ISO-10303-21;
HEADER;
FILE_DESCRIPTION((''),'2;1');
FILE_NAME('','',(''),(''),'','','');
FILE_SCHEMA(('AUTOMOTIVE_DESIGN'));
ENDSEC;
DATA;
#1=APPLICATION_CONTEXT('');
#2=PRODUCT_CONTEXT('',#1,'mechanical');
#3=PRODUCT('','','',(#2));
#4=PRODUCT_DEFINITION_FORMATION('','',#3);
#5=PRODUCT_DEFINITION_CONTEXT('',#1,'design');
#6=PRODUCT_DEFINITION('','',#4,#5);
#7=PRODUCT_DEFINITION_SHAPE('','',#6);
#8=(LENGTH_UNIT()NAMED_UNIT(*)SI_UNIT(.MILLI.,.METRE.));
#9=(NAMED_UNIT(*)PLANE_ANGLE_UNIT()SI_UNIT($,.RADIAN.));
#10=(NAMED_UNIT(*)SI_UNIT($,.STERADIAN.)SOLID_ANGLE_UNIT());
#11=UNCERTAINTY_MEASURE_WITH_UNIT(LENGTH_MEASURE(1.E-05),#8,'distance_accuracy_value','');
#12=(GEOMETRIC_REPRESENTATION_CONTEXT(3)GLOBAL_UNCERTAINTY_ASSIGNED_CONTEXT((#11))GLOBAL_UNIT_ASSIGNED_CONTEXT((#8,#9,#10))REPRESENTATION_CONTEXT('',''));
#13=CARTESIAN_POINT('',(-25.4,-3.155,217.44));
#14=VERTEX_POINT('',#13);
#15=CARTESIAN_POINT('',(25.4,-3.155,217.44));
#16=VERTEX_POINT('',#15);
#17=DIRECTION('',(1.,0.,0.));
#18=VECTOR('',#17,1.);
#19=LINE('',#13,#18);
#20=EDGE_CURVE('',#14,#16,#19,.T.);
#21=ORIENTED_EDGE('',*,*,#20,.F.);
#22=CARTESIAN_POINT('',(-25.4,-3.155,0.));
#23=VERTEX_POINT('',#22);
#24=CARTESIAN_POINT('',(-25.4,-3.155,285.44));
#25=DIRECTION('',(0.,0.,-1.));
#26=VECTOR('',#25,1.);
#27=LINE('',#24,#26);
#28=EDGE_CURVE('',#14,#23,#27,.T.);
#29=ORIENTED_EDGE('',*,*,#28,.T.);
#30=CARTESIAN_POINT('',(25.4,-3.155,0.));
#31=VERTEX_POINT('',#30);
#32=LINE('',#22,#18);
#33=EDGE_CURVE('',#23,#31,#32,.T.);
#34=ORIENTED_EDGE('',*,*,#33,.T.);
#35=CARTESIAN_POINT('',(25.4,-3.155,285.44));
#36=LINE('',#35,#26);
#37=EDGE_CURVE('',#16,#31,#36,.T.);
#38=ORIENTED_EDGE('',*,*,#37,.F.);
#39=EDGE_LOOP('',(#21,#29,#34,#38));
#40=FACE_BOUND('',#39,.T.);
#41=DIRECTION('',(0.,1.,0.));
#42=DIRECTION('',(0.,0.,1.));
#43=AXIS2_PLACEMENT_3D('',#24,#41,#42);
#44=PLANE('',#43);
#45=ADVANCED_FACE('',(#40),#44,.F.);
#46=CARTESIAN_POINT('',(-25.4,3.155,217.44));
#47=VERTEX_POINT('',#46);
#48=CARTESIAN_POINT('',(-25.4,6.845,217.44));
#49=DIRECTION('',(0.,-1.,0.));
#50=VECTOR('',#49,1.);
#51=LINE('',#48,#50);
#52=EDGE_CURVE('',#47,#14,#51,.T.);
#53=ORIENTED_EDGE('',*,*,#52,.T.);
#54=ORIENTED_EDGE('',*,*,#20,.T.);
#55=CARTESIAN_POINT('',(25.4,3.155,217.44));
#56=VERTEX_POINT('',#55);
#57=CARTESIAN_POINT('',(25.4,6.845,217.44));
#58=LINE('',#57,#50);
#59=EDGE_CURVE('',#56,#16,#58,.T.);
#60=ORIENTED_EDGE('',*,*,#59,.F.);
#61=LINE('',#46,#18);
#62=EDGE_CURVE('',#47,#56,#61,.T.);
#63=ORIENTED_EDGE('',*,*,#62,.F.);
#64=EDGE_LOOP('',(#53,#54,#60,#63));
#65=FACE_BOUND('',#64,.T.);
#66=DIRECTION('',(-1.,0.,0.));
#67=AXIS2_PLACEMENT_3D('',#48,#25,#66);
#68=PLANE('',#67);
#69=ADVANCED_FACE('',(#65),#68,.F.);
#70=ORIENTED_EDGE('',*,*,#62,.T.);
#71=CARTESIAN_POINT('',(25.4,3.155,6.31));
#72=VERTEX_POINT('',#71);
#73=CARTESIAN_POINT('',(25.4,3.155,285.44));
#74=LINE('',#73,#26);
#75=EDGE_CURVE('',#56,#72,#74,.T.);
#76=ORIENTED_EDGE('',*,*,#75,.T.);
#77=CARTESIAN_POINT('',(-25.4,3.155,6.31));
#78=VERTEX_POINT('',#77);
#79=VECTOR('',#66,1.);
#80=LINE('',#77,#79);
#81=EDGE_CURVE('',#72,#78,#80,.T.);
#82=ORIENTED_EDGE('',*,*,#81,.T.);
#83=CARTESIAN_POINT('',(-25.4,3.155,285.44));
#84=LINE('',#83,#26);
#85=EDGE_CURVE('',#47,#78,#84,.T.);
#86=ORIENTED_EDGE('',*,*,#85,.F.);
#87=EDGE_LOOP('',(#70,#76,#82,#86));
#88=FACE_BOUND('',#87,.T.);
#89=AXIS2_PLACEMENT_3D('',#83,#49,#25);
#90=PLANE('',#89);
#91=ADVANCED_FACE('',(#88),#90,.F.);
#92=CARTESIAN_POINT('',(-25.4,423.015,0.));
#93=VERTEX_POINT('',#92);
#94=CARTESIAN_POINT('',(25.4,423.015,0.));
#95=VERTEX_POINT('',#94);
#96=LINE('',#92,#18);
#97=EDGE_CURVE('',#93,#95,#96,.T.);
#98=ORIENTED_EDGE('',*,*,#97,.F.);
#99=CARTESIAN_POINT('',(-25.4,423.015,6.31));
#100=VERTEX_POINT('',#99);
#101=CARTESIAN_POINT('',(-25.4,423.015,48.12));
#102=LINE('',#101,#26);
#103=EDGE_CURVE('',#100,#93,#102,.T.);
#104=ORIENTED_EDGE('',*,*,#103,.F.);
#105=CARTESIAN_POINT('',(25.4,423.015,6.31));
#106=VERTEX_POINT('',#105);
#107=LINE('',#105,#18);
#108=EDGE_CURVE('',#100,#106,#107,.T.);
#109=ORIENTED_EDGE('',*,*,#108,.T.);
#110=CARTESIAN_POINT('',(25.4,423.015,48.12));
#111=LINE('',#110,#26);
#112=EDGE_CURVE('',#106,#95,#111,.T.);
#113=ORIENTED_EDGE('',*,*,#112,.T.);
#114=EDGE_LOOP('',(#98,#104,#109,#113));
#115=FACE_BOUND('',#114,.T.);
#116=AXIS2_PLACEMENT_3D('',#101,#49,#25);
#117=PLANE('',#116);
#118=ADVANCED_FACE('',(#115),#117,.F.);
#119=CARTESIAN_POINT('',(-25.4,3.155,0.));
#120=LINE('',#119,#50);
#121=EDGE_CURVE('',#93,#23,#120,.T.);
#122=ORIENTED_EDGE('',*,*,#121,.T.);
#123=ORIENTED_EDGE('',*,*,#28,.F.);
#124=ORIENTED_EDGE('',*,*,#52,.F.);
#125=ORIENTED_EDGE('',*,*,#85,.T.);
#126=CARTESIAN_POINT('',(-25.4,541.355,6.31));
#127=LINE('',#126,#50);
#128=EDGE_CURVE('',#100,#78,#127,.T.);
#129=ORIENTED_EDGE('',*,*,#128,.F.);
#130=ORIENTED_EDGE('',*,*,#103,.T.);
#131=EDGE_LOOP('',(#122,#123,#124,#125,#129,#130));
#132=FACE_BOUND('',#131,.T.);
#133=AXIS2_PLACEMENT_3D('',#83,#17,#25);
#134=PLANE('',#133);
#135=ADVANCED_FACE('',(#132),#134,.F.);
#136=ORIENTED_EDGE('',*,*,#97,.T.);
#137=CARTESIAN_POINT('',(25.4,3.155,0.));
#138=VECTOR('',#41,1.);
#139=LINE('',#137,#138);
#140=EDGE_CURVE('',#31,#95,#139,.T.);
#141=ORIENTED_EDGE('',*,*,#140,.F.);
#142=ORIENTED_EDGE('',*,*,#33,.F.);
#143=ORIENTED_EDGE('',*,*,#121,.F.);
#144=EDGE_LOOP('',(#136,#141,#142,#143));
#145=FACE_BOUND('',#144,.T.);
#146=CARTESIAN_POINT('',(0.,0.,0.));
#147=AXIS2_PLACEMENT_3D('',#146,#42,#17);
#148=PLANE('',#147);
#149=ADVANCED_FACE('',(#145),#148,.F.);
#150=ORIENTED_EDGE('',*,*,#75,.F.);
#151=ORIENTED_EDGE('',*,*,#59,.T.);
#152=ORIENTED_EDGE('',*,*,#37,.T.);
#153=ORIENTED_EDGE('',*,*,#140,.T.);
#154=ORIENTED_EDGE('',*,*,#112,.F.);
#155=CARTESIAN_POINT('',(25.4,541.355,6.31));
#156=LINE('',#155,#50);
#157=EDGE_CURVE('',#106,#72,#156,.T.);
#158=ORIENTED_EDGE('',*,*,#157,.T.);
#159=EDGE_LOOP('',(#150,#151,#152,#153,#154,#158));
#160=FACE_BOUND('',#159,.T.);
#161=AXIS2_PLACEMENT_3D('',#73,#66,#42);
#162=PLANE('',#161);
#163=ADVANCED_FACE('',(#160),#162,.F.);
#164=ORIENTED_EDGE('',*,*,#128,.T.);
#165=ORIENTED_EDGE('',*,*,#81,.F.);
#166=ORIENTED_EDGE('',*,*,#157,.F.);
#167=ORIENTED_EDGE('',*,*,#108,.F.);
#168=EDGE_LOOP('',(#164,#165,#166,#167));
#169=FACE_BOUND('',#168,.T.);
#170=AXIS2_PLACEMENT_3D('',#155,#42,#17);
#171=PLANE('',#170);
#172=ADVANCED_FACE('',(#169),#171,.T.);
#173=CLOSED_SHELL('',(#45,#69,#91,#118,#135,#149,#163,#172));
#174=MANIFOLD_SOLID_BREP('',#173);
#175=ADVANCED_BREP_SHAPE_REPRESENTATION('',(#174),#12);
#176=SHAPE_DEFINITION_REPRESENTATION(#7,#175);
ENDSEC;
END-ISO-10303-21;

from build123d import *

# Parameters (mm, degrees)
CROQUIS1_W              = 50.8
CROQUIS1_H              = 6.31
SALIENTE_EXTRUIR1_DEPTH = 285.44
CROQUIS3_W              = 50.8
CROQUIS3_H              = 6.31
SALIENTE_EXTRUIR2_DEPTH = 544.51
CROQUIS4_W              = 50.8
CROQUIS4_H              = 6.31
CROQUIS5_W              = 50.8
CROQUIS5_H              = 68
CORTAR_EXTRUIR1_DEPTH   = 10
CROQUIS11_W             = 48.12
CROQUIS11_H             = 211.5
CORTAR_EXTRUIR2_DEPTH   = 50.8


with BuildPart() as part:
    # Croquis1 → Saliente-Extruir1 (new body)
    with BuildSketch(Plane.XY):
        Rectangle(CROQUIS1_W, CROQUIS1_H)
    extrude(amount=SALIENTE_EXTRUIR1_DEPTH)

    # Croquis3 → Saliente-Extruir2 (add)
    with BuildSketch(Plane.XZ.offset(3.155)):
        with Locations((0, 3.155)):
            Rectangle(CROQUIS3_W, CROQUIS3_H)
    extrude(amount=-SALIENTE_EXTRUIR2_DEPTH)

    # Barrer1: sweep along a curve in space
    with BuildLine() as barrer1_path:
        Line((0, 541.355, 3.155), (0, 551.355, 3.155))
        Line((0, 551.355, 3.155), (0, 551.355, 44.965))
        Line((0, 551.355, 44.965), (0, 634.515, 44.965))
    # Croquis4 → Barrer1 (sweep)
    with BuildSketch(Plane(origin=(0, 541.355, 0), x_dir=(1, 0, 0), z_dir=(0, 1, 0))):
        with Locations((0, -3.155)):
            Rectangle(CROQUIS4_W, CROQUIS4_H)
    sweep(path=barrer1_path.line, transition=Transition.RIGHT)

    # Croquis5 → Cortar-Extruir1 (cut)
    with BuildSketch(Plane.XZ.offset(3.155)):
        with Locations((0, 251.44)):
            Rectangle(CROQUIS5_W, CROQUIS5_H)
    extrude(amount=-CORTAR_EXTRUIR1_DEPTH, mode=Mode.SUBTRACT)

    # Croquis11 → Cortar-Extruir2 (cut)
    with BuildSketch(Plane(origin=(25.4, 0, 0), x_dir=(0, 0, -1), z_dir=(1, 0, 0))):
        with Locations((-24.06, 528.765)):
            Rectangle(CROQUIS11_W, CROQUIS11_H)
    extrude(amount=-CORTAR_EXTRUIR2_DEPTH, mode=Mode.SUBTRACT)


solid = part.part
